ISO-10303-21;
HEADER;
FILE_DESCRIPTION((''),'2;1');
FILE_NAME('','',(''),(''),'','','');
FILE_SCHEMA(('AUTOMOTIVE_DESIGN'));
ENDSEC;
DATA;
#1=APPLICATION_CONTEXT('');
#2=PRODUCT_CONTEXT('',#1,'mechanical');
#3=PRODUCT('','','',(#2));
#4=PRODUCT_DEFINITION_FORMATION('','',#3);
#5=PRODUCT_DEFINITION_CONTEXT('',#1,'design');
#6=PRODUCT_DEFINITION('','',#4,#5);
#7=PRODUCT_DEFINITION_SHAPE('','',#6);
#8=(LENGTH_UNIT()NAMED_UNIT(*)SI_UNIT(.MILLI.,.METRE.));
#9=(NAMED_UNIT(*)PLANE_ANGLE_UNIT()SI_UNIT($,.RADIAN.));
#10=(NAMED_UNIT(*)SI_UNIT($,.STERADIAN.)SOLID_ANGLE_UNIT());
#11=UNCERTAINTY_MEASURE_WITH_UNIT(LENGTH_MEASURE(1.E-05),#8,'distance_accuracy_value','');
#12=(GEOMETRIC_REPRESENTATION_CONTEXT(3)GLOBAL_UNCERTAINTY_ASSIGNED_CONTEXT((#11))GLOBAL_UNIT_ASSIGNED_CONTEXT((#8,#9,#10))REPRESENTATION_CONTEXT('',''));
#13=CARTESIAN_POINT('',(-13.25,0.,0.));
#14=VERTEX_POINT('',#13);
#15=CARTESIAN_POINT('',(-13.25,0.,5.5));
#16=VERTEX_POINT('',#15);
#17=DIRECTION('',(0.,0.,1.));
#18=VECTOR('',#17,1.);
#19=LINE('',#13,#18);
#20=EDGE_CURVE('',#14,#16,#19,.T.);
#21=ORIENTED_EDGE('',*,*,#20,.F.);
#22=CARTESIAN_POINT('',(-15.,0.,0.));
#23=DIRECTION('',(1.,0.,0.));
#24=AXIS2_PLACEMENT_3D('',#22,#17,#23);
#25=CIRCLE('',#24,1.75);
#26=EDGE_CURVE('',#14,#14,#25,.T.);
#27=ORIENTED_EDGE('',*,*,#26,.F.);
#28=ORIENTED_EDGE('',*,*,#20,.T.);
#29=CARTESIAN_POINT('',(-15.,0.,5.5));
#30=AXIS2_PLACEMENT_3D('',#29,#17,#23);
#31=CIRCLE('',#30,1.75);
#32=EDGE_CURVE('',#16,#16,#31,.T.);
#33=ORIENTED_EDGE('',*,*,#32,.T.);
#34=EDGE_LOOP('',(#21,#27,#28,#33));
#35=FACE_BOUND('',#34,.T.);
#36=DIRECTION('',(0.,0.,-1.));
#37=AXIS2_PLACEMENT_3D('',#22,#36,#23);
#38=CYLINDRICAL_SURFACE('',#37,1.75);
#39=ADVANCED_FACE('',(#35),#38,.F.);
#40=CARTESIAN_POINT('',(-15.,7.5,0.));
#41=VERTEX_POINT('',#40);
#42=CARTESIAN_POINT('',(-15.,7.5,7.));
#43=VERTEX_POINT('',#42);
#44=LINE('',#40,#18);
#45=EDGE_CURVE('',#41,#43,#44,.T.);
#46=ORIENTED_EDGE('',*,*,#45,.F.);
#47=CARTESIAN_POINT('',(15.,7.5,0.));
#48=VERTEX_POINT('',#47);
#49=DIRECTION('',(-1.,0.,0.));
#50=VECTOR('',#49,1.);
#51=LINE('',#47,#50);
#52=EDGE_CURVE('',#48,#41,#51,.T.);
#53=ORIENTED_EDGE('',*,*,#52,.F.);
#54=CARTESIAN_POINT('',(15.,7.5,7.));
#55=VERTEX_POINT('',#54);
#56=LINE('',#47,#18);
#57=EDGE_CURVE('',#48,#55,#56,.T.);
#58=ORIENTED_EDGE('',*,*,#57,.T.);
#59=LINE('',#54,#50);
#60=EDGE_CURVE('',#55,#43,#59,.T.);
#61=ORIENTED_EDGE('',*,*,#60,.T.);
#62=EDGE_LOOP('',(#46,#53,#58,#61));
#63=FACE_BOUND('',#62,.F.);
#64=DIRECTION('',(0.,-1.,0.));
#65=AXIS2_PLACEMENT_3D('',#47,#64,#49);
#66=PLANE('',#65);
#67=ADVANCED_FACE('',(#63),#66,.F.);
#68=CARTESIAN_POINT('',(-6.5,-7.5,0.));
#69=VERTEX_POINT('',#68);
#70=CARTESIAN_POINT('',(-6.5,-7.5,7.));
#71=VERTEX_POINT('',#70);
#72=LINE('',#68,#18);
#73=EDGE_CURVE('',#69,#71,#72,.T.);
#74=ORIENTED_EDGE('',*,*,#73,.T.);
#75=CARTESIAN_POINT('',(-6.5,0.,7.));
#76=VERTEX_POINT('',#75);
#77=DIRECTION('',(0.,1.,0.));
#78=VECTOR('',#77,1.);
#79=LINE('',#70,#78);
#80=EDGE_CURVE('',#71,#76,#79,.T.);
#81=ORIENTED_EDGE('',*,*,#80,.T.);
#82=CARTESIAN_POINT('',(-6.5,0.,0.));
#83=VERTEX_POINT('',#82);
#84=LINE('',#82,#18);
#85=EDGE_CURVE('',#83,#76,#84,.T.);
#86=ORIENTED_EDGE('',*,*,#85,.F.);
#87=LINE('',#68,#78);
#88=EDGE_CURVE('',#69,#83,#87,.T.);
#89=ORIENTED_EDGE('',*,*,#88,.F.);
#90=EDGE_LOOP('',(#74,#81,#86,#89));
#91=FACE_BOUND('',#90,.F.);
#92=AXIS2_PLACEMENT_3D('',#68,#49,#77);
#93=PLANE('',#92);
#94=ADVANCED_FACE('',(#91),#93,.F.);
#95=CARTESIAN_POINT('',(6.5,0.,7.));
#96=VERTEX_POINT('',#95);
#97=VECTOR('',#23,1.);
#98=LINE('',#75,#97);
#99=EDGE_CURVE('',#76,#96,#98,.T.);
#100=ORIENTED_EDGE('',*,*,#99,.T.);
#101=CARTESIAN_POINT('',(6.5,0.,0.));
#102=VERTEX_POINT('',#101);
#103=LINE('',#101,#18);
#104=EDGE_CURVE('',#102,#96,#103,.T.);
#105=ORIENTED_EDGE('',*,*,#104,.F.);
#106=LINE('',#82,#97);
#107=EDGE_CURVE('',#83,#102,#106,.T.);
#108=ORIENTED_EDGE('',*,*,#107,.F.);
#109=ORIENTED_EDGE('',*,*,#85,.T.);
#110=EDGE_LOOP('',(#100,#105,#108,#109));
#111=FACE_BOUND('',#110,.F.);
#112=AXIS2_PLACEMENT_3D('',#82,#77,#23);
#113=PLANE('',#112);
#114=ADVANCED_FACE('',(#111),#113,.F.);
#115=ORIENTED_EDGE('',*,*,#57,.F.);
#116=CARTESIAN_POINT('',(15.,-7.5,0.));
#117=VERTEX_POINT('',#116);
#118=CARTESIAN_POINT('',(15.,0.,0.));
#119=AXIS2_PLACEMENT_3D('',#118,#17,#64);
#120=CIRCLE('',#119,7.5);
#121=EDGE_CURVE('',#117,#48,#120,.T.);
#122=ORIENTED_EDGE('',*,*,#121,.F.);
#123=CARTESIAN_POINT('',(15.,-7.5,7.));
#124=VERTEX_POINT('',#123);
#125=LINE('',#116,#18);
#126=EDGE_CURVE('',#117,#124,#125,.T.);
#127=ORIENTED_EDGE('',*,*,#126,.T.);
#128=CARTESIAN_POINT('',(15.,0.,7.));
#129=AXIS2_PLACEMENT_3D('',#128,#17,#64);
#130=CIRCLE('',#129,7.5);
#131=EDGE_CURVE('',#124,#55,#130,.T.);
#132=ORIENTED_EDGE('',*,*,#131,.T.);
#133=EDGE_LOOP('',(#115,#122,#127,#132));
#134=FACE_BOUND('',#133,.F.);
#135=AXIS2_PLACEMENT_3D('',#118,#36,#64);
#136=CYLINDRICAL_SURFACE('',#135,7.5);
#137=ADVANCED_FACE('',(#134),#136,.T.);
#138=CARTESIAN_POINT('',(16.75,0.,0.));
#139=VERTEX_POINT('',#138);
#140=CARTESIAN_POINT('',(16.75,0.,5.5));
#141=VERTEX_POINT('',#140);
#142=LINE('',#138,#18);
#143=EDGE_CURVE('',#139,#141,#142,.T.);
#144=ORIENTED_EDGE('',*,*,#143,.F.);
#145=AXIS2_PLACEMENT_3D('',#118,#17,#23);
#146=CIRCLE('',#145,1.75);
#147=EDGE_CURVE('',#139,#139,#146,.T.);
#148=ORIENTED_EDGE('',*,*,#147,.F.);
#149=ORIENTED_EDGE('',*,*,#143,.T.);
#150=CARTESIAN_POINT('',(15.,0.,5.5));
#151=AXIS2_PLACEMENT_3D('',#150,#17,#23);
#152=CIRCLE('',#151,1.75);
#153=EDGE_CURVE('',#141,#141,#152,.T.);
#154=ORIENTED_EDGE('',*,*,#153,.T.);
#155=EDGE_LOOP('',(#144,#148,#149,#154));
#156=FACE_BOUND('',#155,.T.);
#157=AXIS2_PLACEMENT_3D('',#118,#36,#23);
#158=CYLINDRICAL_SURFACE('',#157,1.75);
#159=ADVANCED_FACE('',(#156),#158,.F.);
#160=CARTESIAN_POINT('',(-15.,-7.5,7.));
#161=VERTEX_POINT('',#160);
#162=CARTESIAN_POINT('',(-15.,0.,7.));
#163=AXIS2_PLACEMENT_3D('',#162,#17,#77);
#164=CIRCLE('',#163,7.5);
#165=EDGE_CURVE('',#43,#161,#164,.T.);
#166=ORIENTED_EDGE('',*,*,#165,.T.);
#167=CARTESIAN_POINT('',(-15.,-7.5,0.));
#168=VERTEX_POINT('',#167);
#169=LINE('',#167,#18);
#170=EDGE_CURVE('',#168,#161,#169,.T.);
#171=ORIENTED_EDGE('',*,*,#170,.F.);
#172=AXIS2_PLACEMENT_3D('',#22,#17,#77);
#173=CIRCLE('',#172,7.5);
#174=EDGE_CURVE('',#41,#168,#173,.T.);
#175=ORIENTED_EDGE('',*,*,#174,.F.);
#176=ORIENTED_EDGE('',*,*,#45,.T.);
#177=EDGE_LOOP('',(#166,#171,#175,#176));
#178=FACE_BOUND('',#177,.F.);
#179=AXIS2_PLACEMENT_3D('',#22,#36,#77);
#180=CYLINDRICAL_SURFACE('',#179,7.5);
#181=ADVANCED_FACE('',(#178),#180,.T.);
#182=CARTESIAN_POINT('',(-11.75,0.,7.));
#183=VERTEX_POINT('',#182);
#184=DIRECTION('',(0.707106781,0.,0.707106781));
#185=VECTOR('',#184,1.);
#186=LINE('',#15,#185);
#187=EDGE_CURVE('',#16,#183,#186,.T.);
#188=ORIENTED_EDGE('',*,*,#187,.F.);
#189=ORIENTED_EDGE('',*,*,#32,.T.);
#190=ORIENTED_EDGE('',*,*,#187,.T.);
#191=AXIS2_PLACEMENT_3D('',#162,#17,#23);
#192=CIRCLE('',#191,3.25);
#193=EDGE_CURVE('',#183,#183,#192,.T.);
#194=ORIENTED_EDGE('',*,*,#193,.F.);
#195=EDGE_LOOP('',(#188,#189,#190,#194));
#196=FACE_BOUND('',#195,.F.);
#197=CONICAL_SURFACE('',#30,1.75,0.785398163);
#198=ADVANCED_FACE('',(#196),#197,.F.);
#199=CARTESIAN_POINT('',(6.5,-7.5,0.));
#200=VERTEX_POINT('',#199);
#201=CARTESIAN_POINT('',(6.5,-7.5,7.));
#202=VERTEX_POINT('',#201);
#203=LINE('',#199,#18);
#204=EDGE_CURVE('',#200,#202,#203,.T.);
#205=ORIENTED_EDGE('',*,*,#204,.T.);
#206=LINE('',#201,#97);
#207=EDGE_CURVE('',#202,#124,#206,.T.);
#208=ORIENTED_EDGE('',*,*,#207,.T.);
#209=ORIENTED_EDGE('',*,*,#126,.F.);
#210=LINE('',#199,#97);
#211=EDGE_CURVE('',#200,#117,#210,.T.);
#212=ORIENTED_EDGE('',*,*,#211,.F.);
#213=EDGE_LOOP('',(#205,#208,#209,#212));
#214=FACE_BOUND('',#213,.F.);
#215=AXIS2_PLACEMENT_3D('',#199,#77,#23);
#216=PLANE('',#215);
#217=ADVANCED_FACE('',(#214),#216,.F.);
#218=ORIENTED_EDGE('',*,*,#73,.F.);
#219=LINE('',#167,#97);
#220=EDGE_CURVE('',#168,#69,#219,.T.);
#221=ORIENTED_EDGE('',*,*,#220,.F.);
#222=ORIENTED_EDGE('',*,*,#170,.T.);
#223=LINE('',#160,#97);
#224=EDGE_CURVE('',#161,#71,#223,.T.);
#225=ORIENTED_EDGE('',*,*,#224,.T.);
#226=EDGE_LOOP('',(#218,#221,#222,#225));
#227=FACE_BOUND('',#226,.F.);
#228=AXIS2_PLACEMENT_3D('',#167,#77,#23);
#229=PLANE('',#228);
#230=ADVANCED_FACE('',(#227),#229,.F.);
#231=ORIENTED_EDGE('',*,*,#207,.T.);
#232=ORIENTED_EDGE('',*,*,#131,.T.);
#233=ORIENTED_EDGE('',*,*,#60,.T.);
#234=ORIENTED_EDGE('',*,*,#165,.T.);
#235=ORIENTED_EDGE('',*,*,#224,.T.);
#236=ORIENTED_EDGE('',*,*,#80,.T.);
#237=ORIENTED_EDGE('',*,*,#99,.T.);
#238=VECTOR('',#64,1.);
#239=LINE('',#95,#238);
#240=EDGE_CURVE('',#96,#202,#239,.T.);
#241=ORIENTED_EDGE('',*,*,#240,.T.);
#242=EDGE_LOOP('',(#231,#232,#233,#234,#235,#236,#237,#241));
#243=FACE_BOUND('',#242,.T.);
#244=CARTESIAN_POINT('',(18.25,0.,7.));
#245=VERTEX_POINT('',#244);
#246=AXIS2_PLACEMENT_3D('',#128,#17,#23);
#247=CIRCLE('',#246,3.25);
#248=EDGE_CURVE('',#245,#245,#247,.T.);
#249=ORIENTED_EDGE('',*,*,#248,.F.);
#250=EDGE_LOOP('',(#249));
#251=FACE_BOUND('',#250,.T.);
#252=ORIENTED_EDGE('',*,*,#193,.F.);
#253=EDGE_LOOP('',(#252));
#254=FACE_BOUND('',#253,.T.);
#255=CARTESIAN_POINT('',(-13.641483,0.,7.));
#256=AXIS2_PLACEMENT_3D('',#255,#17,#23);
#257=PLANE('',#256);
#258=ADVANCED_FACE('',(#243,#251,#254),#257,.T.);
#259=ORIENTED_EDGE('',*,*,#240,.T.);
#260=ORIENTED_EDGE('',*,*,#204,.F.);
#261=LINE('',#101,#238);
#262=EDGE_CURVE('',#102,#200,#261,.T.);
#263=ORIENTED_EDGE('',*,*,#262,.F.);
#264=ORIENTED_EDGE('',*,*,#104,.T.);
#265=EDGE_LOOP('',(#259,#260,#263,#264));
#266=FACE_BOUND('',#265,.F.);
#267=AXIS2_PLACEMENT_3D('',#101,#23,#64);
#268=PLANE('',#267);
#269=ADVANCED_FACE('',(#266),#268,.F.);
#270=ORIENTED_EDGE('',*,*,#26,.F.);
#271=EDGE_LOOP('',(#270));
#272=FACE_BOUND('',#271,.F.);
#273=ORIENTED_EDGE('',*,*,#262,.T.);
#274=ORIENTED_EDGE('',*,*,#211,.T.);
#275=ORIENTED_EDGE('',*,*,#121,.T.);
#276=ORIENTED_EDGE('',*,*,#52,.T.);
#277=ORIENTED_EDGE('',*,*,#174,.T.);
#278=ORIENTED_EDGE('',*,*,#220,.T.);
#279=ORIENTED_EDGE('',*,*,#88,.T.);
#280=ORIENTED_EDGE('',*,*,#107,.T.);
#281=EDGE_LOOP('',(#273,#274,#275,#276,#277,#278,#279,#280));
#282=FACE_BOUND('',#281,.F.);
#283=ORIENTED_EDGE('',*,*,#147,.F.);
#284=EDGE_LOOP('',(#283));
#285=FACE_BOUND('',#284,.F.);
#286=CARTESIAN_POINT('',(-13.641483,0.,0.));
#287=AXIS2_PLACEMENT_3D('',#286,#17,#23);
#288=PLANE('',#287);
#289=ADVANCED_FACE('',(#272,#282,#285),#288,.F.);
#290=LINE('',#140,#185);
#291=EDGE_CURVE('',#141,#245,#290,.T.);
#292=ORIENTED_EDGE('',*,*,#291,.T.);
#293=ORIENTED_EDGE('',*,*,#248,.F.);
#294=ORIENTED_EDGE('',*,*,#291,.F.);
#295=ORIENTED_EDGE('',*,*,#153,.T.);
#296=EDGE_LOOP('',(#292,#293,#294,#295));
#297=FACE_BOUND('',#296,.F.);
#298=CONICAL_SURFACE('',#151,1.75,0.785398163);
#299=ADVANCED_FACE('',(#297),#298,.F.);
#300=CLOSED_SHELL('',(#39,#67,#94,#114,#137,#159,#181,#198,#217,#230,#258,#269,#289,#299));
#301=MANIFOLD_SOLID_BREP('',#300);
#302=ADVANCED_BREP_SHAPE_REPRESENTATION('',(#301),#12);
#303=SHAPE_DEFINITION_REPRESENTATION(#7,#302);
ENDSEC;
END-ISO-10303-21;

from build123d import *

# Parameters (mm, degrees)
F0_R     = 1.75
F1_DEPTH = 7
F2_SIZE  = 1.5


with BuildPart() as f1:
    # F0 (on Top) → F1 (new body)
    with BuildSketch(Plane.XY):
        with BuildLine():
            Line((-7.5, -7.5), (-7.5, 7.5))
            Line((-7.5, 7.5), (-15, 7.5))
            ThreePointArc((-15, 7.5), (-22.5, 0), (-15, -7.5))
            Line((-15, -7.5), (-7.5, -7.5))
        make_face()
        with Locations((-15, 0)):
            Circle(F0_R, mode=Mode.SUBTRACT)
        Polygon((7.5, -7.5), (7.5, 7.5), (-7.5, 7.5), (-7.5, -7.5), (-6.5, -7.5), (-6.5, 0), (6.5, 0), (6.5, -7.5), align=None)
        with BuildLine():
            Line((15, 7.5), (7.5, 7.5))
            Line((7.5, 7.5), (7.5, -7.5))
            Line((7.5, -7.5), (15, -7.5))
            ThreePointArc((15, -7.5), (22.5, 0), (15, 7.5))
        make_face()
        with Locations((15, 0)):
            Circle(F0_R, mode=Mode.SUBTRACT)
    extrude(amount=F1_DEPTH)

    # F2
    f2_edges = [f1.edges().sort_by_distance(p)[0] for p in [
        (-16.75, 0, 7),
        (13.25, 0, 7),
    ]]
    chamfer(f2_edges, length=F2_SIZE)


solid = f1.part
